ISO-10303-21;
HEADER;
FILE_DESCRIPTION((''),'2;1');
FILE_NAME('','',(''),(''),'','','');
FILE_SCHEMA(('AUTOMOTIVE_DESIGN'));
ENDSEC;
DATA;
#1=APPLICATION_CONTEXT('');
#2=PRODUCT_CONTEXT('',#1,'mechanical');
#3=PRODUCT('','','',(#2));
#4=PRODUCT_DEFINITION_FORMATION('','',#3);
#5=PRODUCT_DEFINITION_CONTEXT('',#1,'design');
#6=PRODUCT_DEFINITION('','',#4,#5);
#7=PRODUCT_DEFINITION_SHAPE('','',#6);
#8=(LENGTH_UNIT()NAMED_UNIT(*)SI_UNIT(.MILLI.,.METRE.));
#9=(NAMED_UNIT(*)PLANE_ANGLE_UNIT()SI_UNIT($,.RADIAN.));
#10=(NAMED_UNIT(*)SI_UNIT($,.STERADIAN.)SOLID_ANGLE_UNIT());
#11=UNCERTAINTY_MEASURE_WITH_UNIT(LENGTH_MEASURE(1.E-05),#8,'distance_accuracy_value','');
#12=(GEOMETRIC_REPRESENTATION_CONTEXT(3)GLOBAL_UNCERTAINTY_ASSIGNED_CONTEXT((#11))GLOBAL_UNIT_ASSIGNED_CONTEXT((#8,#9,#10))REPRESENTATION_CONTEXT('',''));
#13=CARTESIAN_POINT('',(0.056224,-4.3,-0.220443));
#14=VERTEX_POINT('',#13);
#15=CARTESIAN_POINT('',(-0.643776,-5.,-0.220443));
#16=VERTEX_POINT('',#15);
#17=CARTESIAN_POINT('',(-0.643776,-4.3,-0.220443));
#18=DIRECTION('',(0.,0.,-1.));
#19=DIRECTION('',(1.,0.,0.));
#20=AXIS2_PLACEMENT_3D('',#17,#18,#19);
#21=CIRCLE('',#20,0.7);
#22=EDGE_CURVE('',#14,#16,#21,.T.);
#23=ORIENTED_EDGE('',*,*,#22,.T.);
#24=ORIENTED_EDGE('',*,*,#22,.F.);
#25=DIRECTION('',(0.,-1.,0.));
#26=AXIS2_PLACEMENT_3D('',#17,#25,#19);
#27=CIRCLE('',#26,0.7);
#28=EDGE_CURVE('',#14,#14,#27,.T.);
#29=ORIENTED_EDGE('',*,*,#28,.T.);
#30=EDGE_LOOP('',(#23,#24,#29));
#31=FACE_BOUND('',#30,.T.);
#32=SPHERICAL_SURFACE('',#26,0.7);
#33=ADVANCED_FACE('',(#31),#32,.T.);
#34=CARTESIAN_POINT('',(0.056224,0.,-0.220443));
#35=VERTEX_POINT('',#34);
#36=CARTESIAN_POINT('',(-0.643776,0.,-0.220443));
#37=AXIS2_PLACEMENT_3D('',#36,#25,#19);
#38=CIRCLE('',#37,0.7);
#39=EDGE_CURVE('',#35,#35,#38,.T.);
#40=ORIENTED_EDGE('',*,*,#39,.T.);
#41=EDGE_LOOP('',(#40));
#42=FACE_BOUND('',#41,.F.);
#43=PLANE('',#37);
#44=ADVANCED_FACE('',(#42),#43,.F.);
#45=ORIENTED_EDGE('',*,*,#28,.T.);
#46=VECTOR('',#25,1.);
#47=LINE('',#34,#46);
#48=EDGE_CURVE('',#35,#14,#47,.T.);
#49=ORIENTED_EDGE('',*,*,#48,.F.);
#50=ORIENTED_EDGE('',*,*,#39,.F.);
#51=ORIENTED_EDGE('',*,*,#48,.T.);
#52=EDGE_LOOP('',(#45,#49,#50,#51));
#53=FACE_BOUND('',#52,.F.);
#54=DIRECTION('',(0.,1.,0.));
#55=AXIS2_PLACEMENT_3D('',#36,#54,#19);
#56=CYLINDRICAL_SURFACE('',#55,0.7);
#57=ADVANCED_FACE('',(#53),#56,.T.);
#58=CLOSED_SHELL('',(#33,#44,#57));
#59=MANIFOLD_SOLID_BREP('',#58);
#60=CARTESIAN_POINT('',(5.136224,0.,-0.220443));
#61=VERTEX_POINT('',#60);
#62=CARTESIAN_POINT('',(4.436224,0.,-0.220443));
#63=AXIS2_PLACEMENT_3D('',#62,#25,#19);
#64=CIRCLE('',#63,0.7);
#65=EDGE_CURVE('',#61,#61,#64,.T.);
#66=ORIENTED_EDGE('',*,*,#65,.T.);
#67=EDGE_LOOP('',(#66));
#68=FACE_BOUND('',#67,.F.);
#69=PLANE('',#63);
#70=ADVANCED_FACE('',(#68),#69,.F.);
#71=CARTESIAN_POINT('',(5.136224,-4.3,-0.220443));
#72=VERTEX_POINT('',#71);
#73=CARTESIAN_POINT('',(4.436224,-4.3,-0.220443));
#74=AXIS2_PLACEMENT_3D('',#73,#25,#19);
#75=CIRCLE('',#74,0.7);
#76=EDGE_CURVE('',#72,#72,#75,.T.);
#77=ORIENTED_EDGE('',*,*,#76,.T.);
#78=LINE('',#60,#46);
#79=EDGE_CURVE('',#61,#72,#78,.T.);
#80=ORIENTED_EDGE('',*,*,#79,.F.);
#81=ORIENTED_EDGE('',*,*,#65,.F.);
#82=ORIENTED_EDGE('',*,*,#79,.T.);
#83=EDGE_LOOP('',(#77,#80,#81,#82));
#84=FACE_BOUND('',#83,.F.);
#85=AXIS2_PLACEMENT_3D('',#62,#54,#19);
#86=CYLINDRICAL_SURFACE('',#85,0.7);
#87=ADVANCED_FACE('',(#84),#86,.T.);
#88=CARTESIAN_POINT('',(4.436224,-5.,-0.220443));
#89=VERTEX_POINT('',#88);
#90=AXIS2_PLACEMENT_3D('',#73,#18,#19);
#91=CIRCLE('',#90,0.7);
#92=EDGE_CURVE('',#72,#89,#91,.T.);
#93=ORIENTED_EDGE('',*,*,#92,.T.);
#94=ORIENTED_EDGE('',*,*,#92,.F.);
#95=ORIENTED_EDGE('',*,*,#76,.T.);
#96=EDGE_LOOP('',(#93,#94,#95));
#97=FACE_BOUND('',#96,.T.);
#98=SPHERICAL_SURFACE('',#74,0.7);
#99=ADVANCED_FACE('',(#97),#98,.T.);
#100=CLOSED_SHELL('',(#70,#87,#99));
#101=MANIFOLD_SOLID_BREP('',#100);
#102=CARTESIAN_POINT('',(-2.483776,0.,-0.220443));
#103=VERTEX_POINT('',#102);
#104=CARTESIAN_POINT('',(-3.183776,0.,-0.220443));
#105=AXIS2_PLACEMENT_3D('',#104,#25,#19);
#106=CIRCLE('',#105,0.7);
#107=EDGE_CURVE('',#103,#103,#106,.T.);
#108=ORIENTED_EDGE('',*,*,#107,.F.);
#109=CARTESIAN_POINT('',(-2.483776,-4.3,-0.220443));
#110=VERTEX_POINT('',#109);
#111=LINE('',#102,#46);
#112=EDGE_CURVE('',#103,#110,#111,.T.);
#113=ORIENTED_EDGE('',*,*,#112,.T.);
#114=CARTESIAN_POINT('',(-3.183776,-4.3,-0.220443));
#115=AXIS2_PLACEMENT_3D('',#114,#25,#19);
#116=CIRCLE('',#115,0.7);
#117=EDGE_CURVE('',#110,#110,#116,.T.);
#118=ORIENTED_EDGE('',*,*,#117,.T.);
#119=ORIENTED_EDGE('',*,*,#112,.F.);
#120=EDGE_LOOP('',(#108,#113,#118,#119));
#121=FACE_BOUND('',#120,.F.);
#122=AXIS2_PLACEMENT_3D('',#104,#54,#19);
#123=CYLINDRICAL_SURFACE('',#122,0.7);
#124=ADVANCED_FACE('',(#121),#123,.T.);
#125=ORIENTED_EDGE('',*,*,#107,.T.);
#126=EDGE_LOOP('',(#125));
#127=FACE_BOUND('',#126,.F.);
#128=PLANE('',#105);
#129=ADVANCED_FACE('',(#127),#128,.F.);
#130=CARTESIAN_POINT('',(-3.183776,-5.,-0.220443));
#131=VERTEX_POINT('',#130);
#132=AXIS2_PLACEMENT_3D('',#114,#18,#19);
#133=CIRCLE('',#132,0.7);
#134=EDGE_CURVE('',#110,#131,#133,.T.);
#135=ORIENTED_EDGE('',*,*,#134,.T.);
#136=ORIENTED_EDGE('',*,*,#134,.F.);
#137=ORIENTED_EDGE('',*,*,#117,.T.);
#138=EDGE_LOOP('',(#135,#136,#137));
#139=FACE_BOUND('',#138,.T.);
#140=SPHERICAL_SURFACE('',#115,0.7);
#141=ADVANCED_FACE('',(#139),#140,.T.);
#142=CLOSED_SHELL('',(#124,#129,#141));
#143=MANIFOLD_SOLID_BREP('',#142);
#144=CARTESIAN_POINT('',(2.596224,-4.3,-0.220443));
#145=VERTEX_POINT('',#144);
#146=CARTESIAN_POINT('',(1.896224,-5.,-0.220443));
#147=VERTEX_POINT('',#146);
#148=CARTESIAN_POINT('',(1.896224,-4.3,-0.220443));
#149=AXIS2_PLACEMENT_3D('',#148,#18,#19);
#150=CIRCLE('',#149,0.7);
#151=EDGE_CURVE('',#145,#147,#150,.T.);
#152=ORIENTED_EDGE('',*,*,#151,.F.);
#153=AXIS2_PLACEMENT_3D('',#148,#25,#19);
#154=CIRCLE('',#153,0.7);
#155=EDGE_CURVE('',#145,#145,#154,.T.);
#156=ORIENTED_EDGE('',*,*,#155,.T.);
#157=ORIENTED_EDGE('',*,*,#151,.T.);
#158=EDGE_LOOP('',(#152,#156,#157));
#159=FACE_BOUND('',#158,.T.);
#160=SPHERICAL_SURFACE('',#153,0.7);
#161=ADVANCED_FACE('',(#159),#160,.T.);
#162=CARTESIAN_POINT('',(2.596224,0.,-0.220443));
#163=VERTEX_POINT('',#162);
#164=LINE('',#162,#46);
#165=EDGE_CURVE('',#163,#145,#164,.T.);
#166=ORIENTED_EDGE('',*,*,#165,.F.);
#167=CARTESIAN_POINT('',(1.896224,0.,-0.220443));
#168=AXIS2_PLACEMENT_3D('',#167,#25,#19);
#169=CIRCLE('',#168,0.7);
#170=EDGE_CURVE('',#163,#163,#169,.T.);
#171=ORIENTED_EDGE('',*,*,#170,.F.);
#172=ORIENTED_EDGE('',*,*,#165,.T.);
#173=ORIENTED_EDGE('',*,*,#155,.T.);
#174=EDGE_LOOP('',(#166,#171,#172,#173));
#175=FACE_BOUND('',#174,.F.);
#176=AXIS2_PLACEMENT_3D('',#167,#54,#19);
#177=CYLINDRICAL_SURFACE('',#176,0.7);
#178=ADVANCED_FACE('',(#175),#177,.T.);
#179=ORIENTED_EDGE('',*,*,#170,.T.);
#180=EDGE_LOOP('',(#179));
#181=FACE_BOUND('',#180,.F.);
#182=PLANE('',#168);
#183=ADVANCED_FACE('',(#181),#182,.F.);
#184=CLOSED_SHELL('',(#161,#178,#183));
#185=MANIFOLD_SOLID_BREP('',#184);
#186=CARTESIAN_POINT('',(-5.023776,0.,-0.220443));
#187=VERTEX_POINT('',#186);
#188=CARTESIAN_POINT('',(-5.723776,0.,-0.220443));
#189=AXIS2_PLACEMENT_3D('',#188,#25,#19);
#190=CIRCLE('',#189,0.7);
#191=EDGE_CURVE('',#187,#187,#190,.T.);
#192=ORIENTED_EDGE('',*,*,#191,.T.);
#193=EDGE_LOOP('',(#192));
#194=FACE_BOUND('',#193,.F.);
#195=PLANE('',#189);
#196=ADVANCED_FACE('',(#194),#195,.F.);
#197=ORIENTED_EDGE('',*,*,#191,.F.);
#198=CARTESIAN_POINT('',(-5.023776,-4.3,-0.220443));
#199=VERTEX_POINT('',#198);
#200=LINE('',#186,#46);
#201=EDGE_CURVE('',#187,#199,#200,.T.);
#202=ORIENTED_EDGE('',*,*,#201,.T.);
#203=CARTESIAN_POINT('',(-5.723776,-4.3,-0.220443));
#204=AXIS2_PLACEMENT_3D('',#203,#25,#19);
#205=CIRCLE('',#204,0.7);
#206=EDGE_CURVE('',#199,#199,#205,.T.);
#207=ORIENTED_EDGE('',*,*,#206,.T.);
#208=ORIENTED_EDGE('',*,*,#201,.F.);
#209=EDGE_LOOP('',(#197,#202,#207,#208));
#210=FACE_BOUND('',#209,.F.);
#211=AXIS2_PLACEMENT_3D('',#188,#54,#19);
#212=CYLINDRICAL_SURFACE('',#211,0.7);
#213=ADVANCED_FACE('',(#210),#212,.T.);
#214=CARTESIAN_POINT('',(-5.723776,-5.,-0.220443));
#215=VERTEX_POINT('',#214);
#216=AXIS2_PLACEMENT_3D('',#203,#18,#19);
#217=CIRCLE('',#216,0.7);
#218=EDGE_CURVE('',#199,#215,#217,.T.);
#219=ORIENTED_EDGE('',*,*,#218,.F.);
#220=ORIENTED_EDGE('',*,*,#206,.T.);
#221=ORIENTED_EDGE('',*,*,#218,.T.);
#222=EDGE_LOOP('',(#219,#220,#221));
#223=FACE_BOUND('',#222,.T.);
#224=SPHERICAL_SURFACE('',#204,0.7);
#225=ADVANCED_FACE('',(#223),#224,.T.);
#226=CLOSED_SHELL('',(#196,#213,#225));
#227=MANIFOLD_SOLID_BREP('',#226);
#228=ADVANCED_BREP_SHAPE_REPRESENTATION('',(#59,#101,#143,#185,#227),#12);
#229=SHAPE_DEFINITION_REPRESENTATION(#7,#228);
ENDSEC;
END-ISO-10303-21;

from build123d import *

# Parameters (mm, degrees)
F0_R     = 0.7
F1_DEPTH = 5
F2_R     = 0.7


with BuildPart() as f1:
    # F0 (on Front) → F1 (new body)
    with BuildSketch(Plane.XZ):
        with Locations((-5.723776, -0.220443)):
            Circle(F0_R)
        with Locations((-3.183776, -0.220443)):
            Circle(F0_R)
        with Locations((-0.643776, -0.220443)):
            Circle(F0_R)
        with Locations((1.896224, -0.220443)):
            Circle(F0_R)
        with Locations((4.436224, -0.220443)):
            Circle(F0_R)
    extrude(amount=F1_DEPTH)

    # F2
    f2_edges = [f1.edges().sort_by_distance(p)[0] for p in [
        (-6.423776, -5, -0.220443),
        (-3.883776, -5, -0.220443),
        (-1.343776, -5, -0.220443),
        (1.196224, -5, -0.220443),
        (3.736224, -5, -0.220443),
    ]]
    fillet(f2_edges, radius=F2_R)


solid = f1.part
